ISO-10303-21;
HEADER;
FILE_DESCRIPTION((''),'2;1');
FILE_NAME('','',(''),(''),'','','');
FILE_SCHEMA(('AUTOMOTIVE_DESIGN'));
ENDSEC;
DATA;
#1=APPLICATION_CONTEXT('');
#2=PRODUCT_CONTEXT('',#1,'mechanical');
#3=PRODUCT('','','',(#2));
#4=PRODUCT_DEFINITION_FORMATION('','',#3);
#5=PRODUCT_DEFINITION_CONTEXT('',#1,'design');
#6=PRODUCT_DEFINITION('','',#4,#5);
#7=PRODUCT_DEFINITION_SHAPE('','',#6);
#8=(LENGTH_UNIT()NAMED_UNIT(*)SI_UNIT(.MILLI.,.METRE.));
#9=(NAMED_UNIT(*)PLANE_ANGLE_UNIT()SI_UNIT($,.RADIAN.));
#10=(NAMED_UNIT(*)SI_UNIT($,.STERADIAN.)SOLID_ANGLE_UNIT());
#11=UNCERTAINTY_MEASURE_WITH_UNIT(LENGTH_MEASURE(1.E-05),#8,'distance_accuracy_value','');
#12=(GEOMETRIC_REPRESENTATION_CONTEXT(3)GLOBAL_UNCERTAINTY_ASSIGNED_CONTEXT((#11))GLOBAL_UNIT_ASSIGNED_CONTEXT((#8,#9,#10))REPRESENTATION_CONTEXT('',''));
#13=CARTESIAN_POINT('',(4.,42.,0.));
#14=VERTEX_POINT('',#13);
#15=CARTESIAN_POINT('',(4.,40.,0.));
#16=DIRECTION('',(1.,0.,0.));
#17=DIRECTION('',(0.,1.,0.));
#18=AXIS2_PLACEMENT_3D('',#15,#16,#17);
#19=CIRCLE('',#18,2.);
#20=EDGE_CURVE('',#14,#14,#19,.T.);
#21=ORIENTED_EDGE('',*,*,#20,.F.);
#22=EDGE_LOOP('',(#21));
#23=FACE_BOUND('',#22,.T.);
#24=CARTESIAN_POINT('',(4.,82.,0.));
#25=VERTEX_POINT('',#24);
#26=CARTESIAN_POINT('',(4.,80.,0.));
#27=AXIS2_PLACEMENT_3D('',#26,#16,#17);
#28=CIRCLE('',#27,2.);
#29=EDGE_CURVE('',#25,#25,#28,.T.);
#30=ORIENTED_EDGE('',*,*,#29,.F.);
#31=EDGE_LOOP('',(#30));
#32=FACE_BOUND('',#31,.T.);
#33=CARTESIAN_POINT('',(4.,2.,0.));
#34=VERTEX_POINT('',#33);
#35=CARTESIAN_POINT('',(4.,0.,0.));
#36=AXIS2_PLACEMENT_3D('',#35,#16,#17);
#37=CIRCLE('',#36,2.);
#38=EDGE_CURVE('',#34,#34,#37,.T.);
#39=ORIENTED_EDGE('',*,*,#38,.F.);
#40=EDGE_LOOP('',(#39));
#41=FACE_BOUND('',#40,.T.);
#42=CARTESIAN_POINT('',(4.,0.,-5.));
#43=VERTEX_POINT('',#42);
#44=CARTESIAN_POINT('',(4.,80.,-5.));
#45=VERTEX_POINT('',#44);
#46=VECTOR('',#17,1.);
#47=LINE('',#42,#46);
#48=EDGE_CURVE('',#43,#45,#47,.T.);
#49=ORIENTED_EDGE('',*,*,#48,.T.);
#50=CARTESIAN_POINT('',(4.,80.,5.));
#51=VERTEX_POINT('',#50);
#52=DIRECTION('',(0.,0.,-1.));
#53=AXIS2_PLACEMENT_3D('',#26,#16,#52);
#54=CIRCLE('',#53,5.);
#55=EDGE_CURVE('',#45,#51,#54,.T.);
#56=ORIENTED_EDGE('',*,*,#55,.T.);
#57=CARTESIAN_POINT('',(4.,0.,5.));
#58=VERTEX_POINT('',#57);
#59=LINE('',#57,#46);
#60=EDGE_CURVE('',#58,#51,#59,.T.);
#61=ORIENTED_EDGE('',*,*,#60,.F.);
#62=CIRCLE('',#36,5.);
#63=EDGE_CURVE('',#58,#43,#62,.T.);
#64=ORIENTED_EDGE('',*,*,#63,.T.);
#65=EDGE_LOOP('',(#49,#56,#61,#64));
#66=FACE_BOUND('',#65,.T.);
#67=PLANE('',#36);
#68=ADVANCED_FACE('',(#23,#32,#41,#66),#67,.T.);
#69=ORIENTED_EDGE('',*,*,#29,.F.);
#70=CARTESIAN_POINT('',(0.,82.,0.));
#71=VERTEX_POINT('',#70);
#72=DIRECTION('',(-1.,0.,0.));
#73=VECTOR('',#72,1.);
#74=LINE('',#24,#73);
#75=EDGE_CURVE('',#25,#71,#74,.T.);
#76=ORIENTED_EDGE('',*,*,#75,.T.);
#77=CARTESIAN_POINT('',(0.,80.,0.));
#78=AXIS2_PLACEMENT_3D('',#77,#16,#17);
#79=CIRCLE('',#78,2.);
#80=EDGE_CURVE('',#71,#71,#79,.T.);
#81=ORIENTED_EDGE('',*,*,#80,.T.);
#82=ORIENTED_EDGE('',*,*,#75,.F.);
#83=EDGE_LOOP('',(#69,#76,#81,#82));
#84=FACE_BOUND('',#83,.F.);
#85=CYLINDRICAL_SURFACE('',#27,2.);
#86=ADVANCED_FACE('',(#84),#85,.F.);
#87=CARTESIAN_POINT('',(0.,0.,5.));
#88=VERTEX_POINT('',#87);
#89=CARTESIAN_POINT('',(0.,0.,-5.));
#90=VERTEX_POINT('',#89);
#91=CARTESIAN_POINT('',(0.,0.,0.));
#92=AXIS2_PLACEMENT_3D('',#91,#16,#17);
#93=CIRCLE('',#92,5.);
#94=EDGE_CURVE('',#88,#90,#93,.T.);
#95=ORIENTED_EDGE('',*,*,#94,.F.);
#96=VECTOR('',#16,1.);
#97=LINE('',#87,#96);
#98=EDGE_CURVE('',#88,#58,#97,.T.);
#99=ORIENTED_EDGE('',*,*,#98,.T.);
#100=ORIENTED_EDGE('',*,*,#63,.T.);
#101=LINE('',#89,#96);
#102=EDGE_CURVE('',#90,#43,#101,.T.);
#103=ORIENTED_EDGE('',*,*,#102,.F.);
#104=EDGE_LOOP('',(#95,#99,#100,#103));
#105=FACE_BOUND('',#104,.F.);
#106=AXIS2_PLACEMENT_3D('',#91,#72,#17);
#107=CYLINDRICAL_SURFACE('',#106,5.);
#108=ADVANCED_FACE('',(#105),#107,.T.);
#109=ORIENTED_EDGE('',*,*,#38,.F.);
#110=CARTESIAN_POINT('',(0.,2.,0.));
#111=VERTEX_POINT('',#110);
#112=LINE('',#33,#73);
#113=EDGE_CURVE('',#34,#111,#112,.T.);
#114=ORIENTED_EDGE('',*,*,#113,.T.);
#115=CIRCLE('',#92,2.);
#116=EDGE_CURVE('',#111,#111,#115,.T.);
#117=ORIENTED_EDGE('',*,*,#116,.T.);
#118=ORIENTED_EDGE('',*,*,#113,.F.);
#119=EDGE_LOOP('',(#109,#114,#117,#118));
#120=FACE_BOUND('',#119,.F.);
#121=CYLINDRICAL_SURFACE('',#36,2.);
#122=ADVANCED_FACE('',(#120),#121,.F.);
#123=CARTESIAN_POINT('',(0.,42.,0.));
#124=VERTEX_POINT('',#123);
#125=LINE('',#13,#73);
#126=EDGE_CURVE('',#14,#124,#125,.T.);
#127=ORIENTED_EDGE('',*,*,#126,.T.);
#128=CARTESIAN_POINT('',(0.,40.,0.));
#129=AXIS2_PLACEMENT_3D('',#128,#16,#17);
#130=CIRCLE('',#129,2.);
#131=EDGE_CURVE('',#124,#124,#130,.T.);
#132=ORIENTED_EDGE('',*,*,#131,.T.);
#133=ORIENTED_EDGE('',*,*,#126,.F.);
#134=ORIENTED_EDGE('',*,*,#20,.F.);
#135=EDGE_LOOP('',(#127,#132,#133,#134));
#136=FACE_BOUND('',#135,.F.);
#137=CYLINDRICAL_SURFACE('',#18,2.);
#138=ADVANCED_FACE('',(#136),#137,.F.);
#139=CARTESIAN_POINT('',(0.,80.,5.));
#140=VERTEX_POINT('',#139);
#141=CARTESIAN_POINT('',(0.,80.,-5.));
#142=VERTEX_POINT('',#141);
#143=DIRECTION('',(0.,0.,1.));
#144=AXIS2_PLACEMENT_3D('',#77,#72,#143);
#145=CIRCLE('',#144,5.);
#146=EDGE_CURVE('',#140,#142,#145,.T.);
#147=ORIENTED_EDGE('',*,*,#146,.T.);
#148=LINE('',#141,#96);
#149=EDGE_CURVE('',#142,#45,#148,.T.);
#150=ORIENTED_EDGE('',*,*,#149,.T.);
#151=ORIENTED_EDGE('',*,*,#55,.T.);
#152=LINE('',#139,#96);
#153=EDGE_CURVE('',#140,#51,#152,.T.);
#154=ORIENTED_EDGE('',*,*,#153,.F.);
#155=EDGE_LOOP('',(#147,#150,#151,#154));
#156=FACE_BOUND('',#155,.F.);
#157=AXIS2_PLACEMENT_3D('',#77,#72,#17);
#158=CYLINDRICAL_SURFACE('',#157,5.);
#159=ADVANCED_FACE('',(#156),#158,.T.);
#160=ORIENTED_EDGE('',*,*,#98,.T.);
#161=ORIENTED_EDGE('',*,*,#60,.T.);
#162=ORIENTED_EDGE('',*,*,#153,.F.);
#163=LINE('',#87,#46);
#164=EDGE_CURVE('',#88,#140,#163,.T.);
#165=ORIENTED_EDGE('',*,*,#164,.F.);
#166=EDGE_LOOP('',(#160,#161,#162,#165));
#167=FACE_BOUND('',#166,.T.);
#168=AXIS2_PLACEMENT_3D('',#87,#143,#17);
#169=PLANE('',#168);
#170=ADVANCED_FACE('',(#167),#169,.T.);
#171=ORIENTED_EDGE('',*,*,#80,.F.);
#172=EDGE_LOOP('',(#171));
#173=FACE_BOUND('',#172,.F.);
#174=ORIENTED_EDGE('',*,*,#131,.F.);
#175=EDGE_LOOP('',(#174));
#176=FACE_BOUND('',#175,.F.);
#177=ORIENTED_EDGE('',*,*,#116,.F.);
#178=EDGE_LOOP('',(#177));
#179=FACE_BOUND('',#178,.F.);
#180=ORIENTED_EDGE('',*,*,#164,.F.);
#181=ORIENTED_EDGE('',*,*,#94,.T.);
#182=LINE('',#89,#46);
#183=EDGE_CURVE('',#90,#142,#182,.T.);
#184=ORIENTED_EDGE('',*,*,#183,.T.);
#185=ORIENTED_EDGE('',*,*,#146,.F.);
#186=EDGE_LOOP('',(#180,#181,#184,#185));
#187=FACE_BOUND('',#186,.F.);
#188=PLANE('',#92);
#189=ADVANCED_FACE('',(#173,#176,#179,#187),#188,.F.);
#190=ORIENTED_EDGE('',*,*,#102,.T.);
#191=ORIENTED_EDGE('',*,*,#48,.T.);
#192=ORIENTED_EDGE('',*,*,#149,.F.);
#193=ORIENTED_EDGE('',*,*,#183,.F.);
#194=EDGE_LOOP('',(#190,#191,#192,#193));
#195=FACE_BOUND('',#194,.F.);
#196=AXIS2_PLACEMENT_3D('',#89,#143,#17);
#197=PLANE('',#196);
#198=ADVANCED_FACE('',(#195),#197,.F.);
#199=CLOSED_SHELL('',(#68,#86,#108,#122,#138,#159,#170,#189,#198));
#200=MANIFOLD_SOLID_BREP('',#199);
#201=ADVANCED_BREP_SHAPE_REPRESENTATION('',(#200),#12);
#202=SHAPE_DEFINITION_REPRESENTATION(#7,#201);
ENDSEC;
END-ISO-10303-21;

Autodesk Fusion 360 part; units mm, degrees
sketch "Sketch1" plane through (0, 0, 0) normal (1, 0, 0) x (0, 1, 0)
  circle A0 centre (0, 0) radius 5
  line L0 (0, 5) -> (80, 5)
  line L1 (0, -5) -> (80, -5)
  circle A1 centre (80, 0) radius 5
  dimension "d1" = 10
  dimension "d2" = 80
extrude "Extrude1" add sketch "Sketch1" along normal blind 4
sketch "Sketch2" plane through (4, 0, 0) normal (1, 0, 0) x (0, 1, 0)
  arc A0 (0, 5) -> (0, -5) centre (0, 0) ccw
  line L0 (0, -5) -> (80, -5)
  arc A1 (80, -5) -> (80, 5) centre (80, 0) ccw
  line L1 (80, 5) -> (0, 5)
  circle A2 centre (0, 0) radius 2
  circle A3 centre (80, 0) radius 2
  dimension "d5" = 4
  dimension "d6" = 4
extrude "Extrude2" cut sketch "Sketch2" against normal blind 20 contours A2 | A3
sketch "Sketch3" plane through (4, 0, 0) normal (1, 0, 0) x (0, 1, 0)
  circle A0 centre (0, 0) radius 2
  circle A1 centre (80, 0) radius 2
  arc A2 (0, 5) -> (0, -5) centre (0, 0) ccw
  line L0 (0, -5) -> (80, -5)
  arc A3 (80, -5) -> (80, 5) centre (80, 0) ccw
  line L1 (80, 5) -> (0, 5)
  circle A4 centre (40, 0) radius 2
  dimension "d9" = 4
extrude "Extrude3" cut sketch "Sketch3" against normal blind 20 contours A4
sketch "Sketch4" plane through (0, 0, 0) normal (0, 0, 1) x (1, 0, 0)
sketch "Sketch5" plane through (4, 0, 0) normal (1, 0, 0) x (0, 1, 0)
  circle A0 centre (40, 0) radius 2
  circle A1 centre (0, 0) radius 2
  circle A2 centre (80, 0) radius 2
  arc A3 (0, 5) -> (0, -5) centre (0, 0) ccw
  line L0 (0, -5) -> (80, -5)
  arc A4 (80, -5) -> (80, 5) centre (80, 0) ccw
  line L1 (80, 5) -> (0, 5)
